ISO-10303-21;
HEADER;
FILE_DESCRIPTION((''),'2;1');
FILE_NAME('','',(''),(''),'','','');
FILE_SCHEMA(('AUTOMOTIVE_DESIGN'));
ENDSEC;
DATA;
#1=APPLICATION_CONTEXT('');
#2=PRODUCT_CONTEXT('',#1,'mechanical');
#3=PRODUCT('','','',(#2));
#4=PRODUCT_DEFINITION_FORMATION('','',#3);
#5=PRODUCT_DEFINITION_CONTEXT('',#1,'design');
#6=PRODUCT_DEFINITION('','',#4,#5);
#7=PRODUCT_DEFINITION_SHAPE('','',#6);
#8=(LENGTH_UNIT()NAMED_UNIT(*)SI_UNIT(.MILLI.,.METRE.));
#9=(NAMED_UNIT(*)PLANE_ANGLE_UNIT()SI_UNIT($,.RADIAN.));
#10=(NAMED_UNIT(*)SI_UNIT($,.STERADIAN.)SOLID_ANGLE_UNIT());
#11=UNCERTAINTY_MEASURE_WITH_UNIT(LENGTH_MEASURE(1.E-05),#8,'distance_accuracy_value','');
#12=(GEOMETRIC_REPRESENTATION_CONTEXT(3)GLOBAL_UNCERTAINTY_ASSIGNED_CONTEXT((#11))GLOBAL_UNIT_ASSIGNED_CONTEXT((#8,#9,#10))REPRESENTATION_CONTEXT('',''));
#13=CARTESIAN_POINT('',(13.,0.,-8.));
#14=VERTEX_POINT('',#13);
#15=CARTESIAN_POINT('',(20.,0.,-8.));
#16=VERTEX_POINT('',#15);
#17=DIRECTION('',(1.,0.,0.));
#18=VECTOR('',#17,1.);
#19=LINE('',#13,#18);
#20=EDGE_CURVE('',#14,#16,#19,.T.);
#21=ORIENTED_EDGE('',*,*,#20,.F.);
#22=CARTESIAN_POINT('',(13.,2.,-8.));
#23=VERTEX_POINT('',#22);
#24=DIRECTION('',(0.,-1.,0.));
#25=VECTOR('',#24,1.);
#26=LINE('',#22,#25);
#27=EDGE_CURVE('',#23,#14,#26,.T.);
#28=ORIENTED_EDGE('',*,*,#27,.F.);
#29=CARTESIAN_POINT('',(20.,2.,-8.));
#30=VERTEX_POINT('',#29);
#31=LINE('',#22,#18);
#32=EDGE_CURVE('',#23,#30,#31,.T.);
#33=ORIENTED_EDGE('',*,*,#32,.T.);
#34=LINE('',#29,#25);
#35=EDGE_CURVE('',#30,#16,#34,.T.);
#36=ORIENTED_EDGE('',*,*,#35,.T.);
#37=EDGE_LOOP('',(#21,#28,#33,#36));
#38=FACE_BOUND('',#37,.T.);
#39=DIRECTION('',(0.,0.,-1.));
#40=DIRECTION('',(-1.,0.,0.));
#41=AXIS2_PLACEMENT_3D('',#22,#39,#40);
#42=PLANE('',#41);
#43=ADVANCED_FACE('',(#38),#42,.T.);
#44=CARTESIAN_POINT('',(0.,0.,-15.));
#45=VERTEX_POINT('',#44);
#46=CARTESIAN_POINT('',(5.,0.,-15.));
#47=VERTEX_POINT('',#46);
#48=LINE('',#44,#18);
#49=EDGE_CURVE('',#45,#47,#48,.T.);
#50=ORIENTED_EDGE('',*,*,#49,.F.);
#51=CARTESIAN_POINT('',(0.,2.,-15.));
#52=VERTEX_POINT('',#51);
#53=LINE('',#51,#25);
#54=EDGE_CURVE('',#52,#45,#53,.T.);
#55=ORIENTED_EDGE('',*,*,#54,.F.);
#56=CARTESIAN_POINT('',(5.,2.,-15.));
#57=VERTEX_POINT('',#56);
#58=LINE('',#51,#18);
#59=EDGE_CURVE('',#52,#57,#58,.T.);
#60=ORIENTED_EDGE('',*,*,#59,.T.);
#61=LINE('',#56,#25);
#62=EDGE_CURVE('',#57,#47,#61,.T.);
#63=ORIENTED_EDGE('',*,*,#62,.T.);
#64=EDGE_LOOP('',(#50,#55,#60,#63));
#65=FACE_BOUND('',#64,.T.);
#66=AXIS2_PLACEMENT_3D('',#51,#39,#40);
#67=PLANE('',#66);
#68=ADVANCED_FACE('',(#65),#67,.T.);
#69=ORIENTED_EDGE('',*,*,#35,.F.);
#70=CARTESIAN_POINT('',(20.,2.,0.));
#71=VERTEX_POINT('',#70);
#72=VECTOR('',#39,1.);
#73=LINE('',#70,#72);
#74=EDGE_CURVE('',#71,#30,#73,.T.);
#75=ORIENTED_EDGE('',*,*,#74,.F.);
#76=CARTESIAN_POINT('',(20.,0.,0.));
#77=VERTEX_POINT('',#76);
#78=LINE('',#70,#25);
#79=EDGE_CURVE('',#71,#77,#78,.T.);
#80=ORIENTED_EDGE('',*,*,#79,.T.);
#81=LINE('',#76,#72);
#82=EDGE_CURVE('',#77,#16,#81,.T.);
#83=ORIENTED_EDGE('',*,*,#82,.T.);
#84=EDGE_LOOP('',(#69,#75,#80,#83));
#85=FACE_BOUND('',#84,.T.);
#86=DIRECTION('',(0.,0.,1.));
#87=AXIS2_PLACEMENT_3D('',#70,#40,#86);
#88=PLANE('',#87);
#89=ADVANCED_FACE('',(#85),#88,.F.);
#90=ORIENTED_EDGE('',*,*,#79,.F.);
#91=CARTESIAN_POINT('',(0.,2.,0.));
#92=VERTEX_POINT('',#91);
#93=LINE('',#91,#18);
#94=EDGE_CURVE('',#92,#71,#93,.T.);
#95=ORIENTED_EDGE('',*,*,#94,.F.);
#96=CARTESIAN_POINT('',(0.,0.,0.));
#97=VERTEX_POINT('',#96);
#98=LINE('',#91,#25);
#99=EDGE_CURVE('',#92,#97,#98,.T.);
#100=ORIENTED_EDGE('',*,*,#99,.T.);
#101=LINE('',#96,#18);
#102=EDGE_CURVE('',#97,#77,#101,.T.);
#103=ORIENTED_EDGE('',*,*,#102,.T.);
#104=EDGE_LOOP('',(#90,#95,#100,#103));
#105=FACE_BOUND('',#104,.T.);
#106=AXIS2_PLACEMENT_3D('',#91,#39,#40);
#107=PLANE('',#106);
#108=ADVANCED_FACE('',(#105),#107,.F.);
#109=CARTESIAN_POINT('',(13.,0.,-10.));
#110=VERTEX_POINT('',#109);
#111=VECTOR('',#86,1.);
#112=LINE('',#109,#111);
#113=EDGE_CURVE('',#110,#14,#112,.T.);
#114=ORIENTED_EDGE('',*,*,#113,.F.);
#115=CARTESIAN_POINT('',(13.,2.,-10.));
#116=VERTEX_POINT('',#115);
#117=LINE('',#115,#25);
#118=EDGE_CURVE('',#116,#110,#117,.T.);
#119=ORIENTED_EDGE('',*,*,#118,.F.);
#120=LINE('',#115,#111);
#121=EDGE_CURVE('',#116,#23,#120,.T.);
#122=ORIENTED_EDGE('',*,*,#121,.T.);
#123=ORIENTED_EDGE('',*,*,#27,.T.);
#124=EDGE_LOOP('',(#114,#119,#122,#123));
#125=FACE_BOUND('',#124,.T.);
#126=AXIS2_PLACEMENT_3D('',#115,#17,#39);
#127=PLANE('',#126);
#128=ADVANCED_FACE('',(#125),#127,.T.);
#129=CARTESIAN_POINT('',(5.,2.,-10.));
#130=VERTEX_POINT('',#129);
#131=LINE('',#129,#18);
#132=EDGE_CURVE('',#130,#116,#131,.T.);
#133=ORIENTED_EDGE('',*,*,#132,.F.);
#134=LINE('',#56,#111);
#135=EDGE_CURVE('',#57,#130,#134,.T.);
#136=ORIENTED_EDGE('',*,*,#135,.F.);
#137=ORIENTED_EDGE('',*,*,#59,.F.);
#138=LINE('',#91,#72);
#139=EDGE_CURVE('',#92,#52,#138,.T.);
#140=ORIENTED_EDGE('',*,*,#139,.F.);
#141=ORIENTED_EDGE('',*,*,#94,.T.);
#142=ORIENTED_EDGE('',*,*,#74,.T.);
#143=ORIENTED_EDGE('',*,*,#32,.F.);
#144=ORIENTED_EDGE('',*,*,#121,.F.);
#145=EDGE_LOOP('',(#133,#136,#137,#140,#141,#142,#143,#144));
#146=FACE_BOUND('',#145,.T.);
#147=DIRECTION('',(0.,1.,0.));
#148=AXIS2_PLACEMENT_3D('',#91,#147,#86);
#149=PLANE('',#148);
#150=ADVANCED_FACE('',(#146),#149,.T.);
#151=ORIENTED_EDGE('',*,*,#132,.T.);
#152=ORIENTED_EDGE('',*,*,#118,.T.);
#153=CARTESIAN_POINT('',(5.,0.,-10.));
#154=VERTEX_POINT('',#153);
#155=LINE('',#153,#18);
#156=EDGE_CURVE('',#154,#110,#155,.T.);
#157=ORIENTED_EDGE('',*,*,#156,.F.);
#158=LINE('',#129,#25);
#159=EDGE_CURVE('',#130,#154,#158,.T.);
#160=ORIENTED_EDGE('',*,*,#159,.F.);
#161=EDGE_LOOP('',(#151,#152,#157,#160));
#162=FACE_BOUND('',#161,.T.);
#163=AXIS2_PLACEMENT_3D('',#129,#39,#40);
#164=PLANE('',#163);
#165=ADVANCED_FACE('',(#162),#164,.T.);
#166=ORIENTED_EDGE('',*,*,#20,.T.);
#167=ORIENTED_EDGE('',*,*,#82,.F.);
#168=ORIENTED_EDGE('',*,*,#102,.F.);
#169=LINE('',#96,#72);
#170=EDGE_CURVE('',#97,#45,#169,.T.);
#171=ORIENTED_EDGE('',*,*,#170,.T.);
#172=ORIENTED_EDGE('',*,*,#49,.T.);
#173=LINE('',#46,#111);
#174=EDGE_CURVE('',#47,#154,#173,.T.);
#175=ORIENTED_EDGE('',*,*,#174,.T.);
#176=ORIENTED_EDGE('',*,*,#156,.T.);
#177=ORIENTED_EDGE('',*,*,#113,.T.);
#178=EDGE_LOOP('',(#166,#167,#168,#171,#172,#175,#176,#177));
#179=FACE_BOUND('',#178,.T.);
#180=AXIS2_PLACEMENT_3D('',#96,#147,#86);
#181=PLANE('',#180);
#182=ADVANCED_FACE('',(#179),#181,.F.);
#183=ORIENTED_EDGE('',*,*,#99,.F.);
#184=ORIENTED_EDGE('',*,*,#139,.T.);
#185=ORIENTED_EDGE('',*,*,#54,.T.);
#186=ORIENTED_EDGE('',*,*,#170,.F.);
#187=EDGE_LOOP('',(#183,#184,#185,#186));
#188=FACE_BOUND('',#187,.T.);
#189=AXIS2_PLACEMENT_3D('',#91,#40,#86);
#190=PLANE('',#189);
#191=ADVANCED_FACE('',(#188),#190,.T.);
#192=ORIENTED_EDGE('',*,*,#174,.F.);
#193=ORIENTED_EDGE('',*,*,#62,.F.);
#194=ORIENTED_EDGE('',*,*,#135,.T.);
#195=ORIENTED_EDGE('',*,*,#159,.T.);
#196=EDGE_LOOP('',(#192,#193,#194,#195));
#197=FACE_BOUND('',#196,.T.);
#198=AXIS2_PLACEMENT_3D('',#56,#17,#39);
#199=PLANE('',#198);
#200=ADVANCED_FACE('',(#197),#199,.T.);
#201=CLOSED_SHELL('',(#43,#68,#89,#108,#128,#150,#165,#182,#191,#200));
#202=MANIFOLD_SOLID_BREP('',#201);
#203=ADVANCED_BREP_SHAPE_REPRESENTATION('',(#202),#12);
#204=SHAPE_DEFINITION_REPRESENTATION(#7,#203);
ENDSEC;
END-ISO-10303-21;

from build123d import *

# Parameters (mm, degrees)
BOSS_EXTRUDE1_DEPTH = 2


with BuildPart() as part:
    # Sketch1 → Boss-Extrude1 (new body)
    with BuildSketch(Plane(origin=(0, 0, 0), x_dir=(1, 0, 0), z_dir=(0, 1, 0))):
        Polygon((0, 0), (20, 0), (20, 8), (13, 8), (13, 10), (5, 10), (5, 15), (0, 15), align=None)
    extrude(amount=BOSS_EXTRUDE1_DEPTH)


solid = part.part
